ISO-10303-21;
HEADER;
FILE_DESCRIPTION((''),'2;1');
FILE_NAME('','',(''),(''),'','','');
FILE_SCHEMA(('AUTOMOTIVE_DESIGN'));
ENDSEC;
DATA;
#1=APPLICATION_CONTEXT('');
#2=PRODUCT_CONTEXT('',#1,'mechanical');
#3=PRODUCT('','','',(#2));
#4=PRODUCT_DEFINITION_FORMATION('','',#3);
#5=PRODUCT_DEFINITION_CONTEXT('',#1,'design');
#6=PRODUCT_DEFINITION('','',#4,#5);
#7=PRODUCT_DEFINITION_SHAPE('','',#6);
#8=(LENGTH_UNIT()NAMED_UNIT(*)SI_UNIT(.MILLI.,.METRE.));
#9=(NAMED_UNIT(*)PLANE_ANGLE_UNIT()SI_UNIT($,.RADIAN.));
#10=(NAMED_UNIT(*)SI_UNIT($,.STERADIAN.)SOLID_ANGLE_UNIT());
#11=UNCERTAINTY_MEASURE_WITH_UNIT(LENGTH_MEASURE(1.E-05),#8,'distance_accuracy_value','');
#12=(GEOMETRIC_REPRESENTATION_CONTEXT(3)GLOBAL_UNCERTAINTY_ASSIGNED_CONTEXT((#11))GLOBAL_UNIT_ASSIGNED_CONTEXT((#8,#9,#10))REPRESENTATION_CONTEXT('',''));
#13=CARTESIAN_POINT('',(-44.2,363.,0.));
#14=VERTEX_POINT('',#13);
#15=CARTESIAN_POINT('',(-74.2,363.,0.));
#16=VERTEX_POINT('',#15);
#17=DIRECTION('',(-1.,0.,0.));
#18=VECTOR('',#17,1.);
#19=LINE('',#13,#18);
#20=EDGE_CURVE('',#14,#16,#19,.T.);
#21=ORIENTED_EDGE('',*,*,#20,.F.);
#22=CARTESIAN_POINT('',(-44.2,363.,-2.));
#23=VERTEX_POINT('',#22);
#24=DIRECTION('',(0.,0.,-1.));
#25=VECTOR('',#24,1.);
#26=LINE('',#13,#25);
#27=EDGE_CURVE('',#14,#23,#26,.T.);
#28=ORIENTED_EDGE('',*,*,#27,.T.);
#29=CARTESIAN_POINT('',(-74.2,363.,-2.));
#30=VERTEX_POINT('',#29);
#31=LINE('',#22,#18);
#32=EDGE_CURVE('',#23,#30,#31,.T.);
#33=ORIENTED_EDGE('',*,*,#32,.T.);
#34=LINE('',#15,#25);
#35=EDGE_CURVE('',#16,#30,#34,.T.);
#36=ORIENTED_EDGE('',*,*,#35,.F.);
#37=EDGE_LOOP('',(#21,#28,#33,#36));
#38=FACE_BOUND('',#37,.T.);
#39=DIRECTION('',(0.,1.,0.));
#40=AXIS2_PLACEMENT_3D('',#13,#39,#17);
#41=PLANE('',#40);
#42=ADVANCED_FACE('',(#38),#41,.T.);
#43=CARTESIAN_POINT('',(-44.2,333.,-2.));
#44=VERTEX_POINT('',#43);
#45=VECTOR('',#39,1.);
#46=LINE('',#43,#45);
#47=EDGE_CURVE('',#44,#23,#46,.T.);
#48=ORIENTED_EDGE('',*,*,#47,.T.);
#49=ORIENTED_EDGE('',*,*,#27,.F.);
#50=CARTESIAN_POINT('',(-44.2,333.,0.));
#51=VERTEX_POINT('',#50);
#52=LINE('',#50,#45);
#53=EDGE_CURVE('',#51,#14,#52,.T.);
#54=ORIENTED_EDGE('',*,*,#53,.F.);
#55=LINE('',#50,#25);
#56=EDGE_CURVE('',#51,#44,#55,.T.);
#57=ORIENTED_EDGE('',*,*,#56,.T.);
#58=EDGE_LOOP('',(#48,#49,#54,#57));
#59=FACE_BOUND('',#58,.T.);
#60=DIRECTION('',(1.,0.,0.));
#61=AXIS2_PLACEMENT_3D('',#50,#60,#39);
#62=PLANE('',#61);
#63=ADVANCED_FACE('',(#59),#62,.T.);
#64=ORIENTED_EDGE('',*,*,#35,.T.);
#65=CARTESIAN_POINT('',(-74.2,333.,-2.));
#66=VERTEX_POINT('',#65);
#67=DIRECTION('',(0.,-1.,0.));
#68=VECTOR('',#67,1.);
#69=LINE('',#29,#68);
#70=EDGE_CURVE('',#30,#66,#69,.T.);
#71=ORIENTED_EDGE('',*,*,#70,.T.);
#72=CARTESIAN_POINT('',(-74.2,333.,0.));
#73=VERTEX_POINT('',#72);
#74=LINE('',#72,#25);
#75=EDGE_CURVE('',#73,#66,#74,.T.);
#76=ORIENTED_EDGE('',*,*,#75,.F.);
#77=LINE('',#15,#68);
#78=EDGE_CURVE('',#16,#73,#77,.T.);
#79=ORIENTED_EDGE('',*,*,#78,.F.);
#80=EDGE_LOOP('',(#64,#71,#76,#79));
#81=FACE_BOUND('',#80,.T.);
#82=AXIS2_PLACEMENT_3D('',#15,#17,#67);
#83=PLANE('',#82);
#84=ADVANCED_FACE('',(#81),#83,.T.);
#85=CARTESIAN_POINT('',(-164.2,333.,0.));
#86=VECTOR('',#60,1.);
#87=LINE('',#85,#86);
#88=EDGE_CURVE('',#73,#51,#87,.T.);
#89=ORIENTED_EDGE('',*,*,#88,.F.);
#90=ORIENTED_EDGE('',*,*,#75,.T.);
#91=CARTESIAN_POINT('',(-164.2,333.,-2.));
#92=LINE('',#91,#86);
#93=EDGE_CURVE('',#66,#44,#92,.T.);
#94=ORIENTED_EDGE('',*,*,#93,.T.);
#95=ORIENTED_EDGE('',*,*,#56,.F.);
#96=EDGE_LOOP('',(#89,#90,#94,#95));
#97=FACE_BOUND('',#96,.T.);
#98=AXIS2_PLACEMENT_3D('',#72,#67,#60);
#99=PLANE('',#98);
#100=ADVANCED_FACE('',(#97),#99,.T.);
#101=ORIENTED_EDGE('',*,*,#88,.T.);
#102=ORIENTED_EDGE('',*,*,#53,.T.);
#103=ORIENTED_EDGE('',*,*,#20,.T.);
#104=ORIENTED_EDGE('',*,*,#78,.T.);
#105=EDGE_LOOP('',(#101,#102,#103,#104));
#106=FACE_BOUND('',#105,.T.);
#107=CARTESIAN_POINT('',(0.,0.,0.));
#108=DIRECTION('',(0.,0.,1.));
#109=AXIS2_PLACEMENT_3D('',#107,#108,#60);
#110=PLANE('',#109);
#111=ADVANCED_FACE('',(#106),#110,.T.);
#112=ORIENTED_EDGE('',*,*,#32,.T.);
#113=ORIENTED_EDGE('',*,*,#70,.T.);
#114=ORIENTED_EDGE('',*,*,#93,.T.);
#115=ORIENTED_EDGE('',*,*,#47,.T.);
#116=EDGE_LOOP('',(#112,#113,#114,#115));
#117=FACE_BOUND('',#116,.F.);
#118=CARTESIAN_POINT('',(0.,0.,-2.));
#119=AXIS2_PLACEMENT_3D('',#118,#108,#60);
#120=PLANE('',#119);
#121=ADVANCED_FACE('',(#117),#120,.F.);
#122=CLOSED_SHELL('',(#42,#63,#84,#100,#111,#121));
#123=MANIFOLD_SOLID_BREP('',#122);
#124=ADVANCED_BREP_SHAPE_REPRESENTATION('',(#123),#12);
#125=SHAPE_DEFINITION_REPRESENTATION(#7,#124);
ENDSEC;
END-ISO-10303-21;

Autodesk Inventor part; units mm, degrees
ref_plane "YZ Plane" through (0, 0, 0) normal (1, 0, 0) x (0, 1, 0)
ref_plane "XZ Plane" through (0, 0, 0) normal (0, 1, 0) x (-1, 0, 0)
ref_plane "XY Plane" through (0, 0, 0) normal (0, 0, 1) x (1, 0, 0)
ref_plane "Plano de trabajo1" through (0, 0, 0) normal (0, 0, 1) x (1, 0, 0)
sketch "Boceto1" plane through (0, 0, 0) normal (0, 0, 1) x (1, 0, 0)
  line L0 (-164.2, 333) -> (-44.2, 333)
  line L1 (-44.2, 333) -> (-44.2, 363)
  line L2 (-44.2, 363) -> (-164.2, 363)
  line L3 (-164.2, 363) -> (-164.2, 333)
  line L4 (-134.2, 363) -> (-104.2, 363)
  line L5 (-104.2, 363) -> (-104.2, 333)
  line L6 (-104.2, 333) -> (-134.2, 333)
  line L7 (-134.2, 333) -> (-134.2, 363)
  line L8 (-74.2, 363) -> (-74.2, 333)
  point P0 (0, 0)
  point P1 (-44.2, 348)
  point P2 (-134.2, 348)
  dimension "d0" = 120
  dimension "d1" = 30
  dimension "d2" = 30
  dimension "d3" = 30
  dimension "d4" = 30
extrude "Extrusión1" add sketch "Boceto1" against normal blind 2 contours L8 L2 L1 L0
equation "\"Radio_pliegue\" = Grosor"
equation "\"Anchura_desahogo_plegado\" = Grosor"
equation "\"Profundidad_desahogo_plegado\" = 0.5 * Grosor"
equation "\"Tamaño_destalonado\" = 4 * Grosor"
equation "\"Remanente_mínimo\" = 2 * Grosor"
equation "\"Radiodetransición\" = Radio_pliegue"
equation "\"Tamaño_de_radio_de_Jacobi\" = Radio_pliegue"
equation "\"TamañoSeparación\" = Grosor"
equation "\"Grosor\" = 0.5"
properties part number "0001"
